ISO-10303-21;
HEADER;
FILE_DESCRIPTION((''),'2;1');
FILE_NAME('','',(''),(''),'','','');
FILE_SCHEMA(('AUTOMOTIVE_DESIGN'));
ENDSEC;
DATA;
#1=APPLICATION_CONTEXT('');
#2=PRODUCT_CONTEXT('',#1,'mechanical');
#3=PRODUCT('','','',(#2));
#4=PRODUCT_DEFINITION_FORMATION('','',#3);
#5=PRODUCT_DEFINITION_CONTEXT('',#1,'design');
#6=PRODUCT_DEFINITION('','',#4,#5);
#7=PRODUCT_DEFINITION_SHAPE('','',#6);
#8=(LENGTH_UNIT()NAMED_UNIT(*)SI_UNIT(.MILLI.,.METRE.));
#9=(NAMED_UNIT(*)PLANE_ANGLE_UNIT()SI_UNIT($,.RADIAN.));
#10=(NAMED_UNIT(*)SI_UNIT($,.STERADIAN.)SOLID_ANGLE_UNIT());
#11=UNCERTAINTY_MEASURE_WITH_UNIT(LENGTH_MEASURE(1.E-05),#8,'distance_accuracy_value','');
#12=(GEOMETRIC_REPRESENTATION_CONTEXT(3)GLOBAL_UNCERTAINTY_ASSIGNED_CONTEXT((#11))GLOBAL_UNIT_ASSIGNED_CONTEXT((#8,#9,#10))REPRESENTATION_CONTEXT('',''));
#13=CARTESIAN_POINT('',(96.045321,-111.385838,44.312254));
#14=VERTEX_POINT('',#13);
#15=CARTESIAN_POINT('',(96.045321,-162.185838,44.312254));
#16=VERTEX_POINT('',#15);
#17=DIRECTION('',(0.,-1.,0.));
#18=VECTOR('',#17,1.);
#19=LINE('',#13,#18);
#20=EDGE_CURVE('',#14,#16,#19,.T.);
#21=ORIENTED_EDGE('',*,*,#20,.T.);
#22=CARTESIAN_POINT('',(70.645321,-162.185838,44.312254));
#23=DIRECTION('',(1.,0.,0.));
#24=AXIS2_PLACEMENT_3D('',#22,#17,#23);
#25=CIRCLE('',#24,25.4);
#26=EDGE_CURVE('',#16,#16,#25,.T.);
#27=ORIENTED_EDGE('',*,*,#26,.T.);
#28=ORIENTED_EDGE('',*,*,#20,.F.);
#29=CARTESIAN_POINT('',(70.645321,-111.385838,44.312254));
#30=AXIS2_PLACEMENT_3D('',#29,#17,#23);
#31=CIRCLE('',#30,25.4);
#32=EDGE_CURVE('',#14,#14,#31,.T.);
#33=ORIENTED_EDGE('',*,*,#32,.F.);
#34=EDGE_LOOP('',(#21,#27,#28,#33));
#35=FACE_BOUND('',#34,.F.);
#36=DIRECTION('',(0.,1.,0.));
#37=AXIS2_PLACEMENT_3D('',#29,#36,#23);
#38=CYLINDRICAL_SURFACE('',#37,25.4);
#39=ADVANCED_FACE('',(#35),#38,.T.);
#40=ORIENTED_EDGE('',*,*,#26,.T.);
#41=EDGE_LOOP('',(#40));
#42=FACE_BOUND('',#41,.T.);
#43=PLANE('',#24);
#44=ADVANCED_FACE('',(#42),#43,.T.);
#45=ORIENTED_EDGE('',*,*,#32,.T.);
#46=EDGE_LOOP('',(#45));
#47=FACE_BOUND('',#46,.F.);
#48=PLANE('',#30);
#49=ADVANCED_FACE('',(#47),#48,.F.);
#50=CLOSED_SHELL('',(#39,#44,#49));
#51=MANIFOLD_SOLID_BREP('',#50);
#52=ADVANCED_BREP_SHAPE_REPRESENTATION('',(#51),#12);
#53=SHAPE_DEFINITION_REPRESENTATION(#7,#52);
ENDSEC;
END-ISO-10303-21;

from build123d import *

# Parameters (mm, degrees)
SKETCH2_R           = 25.4
BOSS_EXTRUDE1_DEPTH = 50.8


with BuildPart() as part:
    # Sketch2 → Boss-Extrude1 (new body)
    with BuildSketch(Plane.XZ.offset(111.385837708)):
        with Locations((70.645320736, 44.312253942)):
            Circle(SKETCH2_R)
    extrude(amount=BOSS_EXTRUDE1_DEPTH)


solid = part.part
